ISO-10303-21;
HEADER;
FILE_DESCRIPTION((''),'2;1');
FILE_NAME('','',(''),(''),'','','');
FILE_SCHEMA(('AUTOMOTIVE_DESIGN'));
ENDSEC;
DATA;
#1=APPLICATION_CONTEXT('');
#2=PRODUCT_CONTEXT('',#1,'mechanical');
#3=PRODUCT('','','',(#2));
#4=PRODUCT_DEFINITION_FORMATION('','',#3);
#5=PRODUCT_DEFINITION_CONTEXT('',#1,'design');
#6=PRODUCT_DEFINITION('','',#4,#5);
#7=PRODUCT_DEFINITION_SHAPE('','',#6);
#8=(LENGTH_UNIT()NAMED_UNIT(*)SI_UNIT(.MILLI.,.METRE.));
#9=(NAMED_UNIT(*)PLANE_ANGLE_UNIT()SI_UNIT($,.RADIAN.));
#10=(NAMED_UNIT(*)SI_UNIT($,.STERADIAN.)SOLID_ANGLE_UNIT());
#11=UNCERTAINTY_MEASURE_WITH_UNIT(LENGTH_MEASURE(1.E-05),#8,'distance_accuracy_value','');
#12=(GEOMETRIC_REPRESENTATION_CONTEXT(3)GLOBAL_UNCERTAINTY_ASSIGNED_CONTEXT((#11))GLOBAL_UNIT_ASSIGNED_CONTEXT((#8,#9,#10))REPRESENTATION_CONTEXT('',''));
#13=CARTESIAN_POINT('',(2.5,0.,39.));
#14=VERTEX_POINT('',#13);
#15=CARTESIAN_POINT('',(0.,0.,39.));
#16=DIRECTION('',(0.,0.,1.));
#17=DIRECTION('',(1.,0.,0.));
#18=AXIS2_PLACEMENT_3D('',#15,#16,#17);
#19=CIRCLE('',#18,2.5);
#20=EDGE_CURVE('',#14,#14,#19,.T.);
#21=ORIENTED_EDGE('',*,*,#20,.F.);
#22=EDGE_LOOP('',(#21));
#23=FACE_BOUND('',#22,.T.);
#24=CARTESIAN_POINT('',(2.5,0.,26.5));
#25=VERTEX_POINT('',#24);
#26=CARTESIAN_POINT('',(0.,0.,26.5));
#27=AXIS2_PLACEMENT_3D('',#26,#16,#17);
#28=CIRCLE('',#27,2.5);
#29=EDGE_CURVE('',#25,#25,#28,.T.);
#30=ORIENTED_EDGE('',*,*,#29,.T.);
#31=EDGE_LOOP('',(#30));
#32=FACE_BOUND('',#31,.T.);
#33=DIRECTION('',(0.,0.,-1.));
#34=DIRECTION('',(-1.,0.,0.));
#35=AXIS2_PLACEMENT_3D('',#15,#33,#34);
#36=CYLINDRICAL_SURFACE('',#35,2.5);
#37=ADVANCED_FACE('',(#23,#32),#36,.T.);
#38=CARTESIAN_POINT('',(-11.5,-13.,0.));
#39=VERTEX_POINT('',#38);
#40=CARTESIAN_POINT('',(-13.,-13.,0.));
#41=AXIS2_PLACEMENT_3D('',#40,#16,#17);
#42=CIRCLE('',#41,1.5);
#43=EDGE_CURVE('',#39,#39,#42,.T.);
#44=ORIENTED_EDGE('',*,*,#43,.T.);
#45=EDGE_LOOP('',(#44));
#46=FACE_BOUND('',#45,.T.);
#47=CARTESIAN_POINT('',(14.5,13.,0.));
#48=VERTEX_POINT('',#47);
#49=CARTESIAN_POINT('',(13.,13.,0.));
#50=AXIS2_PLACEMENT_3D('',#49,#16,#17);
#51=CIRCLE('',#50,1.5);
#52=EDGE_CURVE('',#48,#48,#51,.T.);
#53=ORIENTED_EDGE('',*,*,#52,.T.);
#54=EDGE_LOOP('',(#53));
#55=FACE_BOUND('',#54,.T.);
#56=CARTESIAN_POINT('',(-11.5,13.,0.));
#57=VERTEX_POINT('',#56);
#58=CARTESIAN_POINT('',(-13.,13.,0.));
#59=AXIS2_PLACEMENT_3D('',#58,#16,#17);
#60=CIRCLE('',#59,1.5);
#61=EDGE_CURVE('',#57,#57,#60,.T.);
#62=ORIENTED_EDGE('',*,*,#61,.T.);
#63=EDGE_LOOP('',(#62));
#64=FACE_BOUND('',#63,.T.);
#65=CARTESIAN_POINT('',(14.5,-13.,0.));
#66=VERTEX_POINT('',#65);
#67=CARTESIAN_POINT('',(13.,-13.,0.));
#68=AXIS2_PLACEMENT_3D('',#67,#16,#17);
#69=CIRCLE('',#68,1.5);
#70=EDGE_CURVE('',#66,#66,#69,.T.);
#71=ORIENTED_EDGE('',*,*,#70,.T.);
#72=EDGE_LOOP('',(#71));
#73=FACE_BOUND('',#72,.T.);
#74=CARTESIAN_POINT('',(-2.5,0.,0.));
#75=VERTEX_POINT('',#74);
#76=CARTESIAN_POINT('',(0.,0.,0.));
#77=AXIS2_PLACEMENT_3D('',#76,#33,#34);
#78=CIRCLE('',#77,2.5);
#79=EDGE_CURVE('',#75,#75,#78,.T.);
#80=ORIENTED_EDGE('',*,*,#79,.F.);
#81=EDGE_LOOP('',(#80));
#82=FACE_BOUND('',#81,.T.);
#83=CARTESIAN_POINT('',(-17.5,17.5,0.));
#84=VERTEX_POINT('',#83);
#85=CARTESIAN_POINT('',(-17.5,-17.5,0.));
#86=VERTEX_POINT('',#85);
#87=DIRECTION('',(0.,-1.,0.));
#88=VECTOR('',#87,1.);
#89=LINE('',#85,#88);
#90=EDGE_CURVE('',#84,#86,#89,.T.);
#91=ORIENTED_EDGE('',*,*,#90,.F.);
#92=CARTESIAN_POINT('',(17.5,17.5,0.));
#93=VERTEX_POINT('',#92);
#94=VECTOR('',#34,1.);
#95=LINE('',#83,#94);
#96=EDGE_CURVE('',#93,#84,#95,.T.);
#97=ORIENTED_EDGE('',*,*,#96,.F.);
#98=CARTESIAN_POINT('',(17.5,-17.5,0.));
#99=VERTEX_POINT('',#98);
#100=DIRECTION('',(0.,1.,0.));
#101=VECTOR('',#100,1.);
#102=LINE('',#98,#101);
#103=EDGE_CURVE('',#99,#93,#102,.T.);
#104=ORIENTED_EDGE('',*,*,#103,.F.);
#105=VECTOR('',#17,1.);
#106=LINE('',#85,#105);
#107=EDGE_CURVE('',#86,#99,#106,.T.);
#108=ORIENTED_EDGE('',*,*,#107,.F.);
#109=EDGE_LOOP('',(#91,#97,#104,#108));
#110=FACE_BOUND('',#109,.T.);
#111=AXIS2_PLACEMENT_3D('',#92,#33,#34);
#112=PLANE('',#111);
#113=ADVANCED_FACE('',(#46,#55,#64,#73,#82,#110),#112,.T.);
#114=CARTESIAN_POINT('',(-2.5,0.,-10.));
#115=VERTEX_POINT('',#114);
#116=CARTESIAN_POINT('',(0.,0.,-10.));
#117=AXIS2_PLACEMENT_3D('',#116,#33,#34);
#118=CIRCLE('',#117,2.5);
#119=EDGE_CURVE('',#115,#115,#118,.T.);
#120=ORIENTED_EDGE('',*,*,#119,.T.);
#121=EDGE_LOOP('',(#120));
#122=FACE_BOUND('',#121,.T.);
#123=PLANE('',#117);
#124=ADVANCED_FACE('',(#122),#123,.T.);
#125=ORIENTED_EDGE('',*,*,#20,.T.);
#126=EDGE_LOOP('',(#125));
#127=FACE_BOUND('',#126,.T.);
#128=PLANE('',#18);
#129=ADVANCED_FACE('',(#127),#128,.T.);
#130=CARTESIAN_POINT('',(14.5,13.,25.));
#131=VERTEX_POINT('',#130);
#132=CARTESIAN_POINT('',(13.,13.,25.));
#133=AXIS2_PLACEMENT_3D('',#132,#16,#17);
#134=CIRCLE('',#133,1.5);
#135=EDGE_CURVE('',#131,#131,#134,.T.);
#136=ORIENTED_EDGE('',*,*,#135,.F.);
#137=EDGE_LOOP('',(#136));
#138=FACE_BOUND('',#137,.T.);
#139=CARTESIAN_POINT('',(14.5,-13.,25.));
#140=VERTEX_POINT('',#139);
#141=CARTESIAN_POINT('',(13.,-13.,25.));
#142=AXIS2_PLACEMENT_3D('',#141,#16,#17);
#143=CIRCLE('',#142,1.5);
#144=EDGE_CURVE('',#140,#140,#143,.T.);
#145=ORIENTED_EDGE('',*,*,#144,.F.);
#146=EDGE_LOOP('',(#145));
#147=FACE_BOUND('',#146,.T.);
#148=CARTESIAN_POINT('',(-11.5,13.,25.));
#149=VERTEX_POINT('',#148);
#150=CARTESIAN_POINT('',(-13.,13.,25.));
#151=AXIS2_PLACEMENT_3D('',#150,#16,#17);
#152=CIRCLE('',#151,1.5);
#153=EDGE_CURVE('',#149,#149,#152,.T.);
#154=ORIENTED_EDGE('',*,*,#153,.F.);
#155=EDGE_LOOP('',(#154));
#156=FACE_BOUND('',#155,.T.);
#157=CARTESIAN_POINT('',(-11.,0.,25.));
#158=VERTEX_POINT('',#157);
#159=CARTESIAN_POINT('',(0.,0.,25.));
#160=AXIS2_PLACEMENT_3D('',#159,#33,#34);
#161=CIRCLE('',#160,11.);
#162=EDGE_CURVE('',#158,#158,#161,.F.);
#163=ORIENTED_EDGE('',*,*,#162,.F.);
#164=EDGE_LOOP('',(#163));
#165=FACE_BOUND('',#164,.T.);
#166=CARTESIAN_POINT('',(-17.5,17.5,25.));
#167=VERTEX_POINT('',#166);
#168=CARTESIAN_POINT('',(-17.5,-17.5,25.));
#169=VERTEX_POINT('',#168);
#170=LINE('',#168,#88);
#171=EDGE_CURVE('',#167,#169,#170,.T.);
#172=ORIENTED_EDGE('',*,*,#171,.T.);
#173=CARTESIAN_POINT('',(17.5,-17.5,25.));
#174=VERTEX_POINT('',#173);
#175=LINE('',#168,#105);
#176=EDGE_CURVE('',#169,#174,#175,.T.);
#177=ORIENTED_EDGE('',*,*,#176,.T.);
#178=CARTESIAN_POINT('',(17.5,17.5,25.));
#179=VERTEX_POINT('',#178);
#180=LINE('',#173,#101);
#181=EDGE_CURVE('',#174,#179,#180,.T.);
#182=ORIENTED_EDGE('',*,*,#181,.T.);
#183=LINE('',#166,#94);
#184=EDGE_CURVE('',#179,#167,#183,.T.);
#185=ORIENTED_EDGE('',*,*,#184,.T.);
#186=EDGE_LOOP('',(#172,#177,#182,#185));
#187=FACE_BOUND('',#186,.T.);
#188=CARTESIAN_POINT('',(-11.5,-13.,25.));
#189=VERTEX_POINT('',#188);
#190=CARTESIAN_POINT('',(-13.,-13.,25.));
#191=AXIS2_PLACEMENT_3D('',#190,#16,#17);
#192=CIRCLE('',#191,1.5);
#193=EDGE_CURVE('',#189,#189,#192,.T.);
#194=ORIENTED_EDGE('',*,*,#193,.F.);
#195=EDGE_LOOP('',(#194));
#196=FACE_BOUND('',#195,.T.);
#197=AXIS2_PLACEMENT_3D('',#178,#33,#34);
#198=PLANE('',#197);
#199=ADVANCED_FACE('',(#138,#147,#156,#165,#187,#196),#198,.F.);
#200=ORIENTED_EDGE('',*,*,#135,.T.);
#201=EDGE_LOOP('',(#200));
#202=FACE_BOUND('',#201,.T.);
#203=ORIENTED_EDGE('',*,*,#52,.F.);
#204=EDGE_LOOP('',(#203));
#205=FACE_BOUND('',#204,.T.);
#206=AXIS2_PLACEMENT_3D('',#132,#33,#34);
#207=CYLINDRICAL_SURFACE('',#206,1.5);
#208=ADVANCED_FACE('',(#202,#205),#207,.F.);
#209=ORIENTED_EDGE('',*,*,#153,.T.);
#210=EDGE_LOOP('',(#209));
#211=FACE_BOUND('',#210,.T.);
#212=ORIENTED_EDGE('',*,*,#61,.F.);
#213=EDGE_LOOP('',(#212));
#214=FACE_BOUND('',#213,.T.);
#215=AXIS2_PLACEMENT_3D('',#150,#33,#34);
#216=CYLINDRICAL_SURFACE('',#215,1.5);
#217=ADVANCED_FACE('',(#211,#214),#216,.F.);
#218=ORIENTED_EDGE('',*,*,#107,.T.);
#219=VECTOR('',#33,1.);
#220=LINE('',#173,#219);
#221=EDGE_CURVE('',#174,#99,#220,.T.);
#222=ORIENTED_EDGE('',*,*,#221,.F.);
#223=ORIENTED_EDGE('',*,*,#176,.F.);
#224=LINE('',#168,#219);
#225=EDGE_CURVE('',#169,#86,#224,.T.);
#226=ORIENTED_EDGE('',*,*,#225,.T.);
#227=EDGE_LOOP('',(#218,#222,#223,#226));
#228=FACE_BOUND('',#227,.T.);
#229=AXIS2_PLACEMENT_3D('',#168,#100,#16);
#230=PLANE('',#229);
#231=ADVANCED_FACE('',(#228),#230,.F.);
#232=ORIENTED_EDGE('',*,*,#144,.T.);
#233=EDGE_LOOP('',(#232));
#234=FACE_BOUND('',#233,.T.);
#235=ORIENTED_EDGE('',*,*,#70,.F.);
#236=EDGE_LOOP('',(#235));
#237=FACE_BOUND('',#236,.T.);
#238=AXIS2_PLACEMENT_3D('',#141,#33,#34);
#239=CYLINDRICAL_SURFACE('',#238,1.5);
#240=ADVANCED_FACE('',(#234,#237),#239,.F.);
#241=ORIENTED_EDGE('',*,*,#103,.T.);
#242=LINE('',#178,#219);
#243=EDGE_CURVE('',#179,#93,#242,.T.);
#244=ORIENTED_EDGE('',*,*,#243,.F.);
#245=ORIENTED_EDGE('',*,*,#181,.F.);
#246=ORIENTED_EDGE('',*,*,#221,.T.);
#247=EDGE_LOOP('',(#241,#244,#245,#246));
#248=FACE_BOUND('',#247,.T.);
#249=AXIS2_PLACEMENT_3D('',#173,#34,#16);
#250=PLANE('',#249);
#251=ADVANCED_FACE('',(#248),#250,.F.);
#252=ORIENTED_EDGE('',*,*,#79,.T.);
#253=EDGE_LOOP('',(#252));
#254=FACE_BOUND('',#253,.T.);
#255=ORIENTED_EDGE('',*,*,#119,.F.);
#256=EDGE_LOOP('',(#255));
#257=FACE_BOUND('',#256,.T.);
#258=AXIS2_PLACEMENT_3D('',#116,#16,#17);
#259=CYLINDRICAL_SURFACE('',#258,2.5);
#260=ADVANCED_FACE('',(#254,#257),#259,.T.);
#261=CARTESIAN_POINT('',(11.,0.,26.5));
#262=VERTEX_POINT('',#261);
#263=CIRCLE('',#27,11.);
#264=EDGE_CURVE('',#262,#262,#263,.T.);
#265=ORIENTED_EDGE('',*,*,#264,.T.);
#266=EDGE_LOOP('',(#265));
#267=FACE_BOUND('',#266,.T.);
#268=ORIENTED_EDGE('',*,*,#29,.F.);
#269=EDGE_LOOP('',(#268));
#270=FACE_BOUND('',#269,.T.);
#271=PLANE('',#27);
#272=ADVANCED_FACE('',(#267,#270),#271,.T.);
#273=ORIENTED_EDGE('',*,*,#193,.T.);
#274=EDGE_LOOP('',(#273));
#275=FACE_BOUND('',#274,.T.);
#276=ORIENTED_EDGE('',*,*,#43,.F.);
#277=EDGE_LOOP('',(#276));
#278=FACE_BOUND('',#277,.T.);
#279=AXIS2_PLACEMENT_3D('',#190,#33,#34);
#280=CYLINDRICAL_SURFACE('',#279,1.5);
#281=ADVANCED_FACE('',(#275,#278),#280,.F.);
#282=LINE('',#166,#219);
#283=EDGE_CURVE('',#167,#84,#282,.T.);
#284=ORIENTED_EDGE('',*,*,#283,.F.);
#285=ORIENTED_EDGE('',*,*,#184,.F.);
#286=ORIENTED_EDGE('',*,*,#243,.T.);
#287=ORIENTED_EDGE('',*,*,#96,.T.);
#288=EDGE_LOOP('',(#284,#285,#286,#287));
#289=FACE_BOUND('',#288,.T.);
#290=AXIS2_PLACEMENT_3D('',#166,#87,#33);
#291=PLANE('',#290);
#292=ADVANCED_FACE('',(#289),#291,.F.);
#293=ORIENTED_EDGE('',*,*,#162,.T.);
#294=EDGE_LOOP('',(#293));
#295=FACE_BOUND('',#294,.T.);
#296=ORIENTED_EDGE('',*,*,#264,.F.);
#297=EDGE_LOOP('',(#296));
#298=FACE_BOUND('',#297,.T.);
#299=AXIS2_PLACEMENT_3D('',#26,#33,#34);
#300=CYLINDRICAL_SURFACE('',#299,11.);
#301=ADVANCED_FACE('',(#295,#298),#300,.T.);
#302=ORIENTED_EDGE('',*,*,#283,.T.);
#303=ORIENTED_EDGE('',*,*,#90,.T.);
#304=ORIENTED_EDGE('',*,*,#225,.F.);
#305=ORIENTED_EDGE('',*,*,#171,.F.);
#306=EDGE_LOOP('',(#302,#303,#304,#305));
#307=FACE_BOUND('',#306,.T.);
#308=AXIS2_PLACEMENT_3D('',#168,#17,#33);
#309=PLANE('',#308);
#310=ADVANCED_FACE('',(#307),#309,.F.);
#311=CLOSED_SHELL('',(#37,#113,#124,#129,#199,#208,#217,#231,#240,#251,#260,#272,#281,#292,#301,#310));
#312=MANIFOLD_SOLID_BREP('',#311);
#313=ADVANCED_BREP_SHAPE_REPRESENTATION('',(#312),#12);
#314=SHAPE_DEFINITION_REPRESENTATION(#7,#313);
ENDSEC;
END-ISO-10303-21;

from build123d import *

# Parameters (mm, degrees)
SKETCH1_W           = 35
SKETCH1_H           = 35
SKETCH1_R           = 1.5
BOSS_EXTRUDE1_DEPTH = 25
SKETCH2_R           = 11
BOSS_EXTRUDE2_DEPTH = 1.5
SKETCH3_R           = 2.5
BOSS_EXTRUDE3_DEPTH = 12.5
SKETCH4_R           = 2.5
BOSS_EXTRUDE4_DEPTH = 10


with BuildPart() as part:
    # Sketch1 → Boss-Extrude1 (new body)
    with BuildSketch(Plane.XY):
        Rectangle(SKETCH1_W, SKETCH1_H)
        with Locations((-13, 13)):
            Circle(SKETCH1_R, mode=Mode.SUBTRACT)
        with Locations((13, 13)):
            Circle(SKETCH1_R, mode=Mode.SUBTRACT)
        with Locations((-13, -13)):
            Circle(SKETCH1_R, mode=Mode.SUBTRACT)
        with Locations((13, -13)):
            Circle(SKETCH1_R, mode=Mode.SUBTRACT)
    extrude(amount=BOSS_EXTRUDE1_DEPTH)

    # Sketch2 → Boss-Extrude2 (add)
    with BuildSketch(Plane.XY.offset(25)):
        Circle(SKETCH2_R)
    extrude(amount=BOSS_EXTRUDE2_DEPTH)

    # Sketch3 → Boss-Extrude3 (add)
    with BuildSketch(Plane.XY.offset(26.5)):
        Circle(SKETCH3_R)
    extrude(amount=BOSS_EXTRUDE3_DEPTH)

    # Sketch4 → Boss-Extrude4 (add)
    with BuildSketch(Plane(origin=(0, 0, 0), x_dir=(-1, 0, 0), z_dir=(0, 0, -1))):
        Circle(SKETCH4_R)
    extrude(amount=BOSS_EXTRUDE4_DEPTH)


solid = part.part
